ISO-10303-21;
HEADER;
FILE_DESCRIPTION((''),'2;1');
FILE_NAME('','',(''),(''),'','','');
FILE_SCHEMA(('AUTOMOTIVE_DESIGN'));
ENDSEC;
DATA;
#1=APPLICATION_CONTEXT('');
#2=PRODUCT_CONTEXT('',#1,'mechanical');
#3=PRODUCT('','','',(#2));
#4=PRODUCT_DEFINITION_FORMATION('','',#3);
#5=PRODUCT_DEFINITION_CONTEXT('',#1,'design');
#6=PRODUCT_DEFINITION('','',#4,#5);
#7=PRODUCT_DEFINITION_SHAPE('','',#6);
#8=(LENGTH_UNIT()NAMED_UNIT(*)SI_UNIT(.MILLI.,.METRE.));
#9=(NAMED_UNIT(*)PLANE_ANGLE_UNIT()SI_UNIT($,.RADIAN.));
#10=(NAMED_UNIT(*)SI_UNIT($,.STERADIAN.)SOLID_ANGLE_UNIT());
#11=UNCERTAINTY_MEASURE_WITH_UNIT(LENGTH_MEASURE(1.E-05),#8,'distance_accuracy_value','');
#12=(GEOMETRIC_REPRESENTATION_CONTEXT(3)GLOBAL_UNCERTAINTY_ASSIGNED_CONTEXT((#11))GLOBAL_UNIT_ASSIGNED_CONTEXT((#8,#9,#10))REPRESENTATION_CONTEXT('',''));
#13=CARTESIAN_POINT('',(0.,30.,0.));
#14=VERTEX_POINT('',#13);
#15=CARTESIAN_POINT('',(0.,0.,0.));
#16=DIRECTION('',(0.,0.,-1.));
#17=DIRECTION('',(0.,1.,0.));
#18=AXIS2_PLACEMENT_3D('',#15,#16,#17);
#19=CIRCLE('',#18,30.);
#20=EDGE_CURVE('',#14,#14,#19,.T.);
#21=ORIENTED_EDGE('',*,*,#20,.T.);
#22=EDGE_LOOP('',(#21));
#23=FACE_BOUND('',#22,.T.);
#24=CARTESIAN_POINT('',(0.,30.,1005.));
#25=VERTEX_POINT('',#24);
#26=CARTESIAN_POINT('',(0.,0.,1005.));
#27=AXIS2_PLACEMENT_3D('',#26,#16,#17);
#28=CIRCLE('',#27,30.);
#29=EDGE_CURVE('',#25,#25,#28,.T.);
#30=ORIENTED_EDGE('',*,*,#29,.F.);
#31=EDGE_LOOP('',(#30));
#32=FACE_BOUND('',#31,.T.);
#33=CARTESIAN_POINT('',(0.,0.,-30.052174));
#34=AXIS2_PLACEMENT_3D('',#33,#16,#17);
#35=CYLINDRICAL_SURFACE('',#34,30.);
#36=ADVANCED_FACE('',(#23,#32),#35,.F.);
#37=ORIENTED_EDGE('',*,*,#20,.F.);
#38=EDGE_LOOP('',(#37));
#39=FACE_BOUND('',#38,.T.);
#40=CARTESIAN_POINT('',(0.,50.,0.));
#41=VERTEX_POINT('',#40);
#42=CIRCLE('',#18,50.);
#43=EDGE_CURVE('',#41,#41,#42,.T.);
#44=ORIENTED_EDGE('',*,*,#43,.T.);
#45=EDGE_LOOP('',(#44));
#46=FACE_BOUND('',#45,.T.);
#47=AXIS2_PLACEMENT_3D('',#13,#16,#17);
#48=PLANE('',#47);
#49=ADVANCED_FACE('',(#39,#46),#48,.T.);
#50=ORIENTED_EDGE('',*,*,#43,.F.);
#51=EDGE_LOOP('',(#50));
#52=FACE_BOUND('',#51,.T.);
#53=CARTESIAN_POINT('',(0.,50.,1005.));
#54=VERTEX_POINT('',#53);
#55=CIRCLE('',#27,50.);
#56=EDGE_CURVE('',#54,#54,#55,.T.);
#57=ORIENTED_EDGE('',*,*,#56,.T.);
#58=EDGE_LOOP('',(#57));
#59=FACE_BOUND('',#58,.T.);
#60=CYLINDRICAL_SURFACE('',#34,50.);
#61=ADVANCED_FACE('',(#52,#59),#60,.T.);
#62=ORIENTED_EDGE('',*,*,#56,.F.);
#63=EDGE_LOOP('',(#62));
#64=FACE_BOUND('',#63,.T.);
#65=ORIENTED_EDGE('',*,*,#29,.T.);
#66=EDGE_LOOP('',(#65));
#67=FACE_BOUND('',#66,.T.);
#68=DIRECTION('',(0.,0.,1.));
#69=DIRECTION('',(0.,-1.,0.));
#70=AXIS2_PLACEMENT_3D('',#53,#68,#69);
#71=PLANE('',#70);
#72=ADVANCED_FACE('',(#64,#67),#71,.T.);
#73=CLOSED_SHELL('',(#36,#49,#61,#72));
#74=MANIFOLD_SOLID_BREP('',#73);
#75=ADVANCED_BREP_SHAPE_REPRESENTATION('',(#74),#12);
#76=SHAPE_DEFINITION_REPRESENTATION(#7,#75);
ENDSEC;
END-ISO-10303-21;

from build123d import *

# Parameters (mm, degrees)
SKETCH1_W = 1005
SKETCH1_H = 20


with BuildPart() as part:
    # Sketch1 → Revolve1 (revolve)
    with BuildSketch(Plane(origin=(0, 0, 0), x_dir=(0, 0, -1), z_dir=(1, 0, 0))):
        with Locations((-502.5, 40)):
            Rectangle(SKETCH1_W, SKETCH1_H)
    revolve(axis=Axis((0, 0, -30.052173913), (0, 0, 1)))


solid = part.part
